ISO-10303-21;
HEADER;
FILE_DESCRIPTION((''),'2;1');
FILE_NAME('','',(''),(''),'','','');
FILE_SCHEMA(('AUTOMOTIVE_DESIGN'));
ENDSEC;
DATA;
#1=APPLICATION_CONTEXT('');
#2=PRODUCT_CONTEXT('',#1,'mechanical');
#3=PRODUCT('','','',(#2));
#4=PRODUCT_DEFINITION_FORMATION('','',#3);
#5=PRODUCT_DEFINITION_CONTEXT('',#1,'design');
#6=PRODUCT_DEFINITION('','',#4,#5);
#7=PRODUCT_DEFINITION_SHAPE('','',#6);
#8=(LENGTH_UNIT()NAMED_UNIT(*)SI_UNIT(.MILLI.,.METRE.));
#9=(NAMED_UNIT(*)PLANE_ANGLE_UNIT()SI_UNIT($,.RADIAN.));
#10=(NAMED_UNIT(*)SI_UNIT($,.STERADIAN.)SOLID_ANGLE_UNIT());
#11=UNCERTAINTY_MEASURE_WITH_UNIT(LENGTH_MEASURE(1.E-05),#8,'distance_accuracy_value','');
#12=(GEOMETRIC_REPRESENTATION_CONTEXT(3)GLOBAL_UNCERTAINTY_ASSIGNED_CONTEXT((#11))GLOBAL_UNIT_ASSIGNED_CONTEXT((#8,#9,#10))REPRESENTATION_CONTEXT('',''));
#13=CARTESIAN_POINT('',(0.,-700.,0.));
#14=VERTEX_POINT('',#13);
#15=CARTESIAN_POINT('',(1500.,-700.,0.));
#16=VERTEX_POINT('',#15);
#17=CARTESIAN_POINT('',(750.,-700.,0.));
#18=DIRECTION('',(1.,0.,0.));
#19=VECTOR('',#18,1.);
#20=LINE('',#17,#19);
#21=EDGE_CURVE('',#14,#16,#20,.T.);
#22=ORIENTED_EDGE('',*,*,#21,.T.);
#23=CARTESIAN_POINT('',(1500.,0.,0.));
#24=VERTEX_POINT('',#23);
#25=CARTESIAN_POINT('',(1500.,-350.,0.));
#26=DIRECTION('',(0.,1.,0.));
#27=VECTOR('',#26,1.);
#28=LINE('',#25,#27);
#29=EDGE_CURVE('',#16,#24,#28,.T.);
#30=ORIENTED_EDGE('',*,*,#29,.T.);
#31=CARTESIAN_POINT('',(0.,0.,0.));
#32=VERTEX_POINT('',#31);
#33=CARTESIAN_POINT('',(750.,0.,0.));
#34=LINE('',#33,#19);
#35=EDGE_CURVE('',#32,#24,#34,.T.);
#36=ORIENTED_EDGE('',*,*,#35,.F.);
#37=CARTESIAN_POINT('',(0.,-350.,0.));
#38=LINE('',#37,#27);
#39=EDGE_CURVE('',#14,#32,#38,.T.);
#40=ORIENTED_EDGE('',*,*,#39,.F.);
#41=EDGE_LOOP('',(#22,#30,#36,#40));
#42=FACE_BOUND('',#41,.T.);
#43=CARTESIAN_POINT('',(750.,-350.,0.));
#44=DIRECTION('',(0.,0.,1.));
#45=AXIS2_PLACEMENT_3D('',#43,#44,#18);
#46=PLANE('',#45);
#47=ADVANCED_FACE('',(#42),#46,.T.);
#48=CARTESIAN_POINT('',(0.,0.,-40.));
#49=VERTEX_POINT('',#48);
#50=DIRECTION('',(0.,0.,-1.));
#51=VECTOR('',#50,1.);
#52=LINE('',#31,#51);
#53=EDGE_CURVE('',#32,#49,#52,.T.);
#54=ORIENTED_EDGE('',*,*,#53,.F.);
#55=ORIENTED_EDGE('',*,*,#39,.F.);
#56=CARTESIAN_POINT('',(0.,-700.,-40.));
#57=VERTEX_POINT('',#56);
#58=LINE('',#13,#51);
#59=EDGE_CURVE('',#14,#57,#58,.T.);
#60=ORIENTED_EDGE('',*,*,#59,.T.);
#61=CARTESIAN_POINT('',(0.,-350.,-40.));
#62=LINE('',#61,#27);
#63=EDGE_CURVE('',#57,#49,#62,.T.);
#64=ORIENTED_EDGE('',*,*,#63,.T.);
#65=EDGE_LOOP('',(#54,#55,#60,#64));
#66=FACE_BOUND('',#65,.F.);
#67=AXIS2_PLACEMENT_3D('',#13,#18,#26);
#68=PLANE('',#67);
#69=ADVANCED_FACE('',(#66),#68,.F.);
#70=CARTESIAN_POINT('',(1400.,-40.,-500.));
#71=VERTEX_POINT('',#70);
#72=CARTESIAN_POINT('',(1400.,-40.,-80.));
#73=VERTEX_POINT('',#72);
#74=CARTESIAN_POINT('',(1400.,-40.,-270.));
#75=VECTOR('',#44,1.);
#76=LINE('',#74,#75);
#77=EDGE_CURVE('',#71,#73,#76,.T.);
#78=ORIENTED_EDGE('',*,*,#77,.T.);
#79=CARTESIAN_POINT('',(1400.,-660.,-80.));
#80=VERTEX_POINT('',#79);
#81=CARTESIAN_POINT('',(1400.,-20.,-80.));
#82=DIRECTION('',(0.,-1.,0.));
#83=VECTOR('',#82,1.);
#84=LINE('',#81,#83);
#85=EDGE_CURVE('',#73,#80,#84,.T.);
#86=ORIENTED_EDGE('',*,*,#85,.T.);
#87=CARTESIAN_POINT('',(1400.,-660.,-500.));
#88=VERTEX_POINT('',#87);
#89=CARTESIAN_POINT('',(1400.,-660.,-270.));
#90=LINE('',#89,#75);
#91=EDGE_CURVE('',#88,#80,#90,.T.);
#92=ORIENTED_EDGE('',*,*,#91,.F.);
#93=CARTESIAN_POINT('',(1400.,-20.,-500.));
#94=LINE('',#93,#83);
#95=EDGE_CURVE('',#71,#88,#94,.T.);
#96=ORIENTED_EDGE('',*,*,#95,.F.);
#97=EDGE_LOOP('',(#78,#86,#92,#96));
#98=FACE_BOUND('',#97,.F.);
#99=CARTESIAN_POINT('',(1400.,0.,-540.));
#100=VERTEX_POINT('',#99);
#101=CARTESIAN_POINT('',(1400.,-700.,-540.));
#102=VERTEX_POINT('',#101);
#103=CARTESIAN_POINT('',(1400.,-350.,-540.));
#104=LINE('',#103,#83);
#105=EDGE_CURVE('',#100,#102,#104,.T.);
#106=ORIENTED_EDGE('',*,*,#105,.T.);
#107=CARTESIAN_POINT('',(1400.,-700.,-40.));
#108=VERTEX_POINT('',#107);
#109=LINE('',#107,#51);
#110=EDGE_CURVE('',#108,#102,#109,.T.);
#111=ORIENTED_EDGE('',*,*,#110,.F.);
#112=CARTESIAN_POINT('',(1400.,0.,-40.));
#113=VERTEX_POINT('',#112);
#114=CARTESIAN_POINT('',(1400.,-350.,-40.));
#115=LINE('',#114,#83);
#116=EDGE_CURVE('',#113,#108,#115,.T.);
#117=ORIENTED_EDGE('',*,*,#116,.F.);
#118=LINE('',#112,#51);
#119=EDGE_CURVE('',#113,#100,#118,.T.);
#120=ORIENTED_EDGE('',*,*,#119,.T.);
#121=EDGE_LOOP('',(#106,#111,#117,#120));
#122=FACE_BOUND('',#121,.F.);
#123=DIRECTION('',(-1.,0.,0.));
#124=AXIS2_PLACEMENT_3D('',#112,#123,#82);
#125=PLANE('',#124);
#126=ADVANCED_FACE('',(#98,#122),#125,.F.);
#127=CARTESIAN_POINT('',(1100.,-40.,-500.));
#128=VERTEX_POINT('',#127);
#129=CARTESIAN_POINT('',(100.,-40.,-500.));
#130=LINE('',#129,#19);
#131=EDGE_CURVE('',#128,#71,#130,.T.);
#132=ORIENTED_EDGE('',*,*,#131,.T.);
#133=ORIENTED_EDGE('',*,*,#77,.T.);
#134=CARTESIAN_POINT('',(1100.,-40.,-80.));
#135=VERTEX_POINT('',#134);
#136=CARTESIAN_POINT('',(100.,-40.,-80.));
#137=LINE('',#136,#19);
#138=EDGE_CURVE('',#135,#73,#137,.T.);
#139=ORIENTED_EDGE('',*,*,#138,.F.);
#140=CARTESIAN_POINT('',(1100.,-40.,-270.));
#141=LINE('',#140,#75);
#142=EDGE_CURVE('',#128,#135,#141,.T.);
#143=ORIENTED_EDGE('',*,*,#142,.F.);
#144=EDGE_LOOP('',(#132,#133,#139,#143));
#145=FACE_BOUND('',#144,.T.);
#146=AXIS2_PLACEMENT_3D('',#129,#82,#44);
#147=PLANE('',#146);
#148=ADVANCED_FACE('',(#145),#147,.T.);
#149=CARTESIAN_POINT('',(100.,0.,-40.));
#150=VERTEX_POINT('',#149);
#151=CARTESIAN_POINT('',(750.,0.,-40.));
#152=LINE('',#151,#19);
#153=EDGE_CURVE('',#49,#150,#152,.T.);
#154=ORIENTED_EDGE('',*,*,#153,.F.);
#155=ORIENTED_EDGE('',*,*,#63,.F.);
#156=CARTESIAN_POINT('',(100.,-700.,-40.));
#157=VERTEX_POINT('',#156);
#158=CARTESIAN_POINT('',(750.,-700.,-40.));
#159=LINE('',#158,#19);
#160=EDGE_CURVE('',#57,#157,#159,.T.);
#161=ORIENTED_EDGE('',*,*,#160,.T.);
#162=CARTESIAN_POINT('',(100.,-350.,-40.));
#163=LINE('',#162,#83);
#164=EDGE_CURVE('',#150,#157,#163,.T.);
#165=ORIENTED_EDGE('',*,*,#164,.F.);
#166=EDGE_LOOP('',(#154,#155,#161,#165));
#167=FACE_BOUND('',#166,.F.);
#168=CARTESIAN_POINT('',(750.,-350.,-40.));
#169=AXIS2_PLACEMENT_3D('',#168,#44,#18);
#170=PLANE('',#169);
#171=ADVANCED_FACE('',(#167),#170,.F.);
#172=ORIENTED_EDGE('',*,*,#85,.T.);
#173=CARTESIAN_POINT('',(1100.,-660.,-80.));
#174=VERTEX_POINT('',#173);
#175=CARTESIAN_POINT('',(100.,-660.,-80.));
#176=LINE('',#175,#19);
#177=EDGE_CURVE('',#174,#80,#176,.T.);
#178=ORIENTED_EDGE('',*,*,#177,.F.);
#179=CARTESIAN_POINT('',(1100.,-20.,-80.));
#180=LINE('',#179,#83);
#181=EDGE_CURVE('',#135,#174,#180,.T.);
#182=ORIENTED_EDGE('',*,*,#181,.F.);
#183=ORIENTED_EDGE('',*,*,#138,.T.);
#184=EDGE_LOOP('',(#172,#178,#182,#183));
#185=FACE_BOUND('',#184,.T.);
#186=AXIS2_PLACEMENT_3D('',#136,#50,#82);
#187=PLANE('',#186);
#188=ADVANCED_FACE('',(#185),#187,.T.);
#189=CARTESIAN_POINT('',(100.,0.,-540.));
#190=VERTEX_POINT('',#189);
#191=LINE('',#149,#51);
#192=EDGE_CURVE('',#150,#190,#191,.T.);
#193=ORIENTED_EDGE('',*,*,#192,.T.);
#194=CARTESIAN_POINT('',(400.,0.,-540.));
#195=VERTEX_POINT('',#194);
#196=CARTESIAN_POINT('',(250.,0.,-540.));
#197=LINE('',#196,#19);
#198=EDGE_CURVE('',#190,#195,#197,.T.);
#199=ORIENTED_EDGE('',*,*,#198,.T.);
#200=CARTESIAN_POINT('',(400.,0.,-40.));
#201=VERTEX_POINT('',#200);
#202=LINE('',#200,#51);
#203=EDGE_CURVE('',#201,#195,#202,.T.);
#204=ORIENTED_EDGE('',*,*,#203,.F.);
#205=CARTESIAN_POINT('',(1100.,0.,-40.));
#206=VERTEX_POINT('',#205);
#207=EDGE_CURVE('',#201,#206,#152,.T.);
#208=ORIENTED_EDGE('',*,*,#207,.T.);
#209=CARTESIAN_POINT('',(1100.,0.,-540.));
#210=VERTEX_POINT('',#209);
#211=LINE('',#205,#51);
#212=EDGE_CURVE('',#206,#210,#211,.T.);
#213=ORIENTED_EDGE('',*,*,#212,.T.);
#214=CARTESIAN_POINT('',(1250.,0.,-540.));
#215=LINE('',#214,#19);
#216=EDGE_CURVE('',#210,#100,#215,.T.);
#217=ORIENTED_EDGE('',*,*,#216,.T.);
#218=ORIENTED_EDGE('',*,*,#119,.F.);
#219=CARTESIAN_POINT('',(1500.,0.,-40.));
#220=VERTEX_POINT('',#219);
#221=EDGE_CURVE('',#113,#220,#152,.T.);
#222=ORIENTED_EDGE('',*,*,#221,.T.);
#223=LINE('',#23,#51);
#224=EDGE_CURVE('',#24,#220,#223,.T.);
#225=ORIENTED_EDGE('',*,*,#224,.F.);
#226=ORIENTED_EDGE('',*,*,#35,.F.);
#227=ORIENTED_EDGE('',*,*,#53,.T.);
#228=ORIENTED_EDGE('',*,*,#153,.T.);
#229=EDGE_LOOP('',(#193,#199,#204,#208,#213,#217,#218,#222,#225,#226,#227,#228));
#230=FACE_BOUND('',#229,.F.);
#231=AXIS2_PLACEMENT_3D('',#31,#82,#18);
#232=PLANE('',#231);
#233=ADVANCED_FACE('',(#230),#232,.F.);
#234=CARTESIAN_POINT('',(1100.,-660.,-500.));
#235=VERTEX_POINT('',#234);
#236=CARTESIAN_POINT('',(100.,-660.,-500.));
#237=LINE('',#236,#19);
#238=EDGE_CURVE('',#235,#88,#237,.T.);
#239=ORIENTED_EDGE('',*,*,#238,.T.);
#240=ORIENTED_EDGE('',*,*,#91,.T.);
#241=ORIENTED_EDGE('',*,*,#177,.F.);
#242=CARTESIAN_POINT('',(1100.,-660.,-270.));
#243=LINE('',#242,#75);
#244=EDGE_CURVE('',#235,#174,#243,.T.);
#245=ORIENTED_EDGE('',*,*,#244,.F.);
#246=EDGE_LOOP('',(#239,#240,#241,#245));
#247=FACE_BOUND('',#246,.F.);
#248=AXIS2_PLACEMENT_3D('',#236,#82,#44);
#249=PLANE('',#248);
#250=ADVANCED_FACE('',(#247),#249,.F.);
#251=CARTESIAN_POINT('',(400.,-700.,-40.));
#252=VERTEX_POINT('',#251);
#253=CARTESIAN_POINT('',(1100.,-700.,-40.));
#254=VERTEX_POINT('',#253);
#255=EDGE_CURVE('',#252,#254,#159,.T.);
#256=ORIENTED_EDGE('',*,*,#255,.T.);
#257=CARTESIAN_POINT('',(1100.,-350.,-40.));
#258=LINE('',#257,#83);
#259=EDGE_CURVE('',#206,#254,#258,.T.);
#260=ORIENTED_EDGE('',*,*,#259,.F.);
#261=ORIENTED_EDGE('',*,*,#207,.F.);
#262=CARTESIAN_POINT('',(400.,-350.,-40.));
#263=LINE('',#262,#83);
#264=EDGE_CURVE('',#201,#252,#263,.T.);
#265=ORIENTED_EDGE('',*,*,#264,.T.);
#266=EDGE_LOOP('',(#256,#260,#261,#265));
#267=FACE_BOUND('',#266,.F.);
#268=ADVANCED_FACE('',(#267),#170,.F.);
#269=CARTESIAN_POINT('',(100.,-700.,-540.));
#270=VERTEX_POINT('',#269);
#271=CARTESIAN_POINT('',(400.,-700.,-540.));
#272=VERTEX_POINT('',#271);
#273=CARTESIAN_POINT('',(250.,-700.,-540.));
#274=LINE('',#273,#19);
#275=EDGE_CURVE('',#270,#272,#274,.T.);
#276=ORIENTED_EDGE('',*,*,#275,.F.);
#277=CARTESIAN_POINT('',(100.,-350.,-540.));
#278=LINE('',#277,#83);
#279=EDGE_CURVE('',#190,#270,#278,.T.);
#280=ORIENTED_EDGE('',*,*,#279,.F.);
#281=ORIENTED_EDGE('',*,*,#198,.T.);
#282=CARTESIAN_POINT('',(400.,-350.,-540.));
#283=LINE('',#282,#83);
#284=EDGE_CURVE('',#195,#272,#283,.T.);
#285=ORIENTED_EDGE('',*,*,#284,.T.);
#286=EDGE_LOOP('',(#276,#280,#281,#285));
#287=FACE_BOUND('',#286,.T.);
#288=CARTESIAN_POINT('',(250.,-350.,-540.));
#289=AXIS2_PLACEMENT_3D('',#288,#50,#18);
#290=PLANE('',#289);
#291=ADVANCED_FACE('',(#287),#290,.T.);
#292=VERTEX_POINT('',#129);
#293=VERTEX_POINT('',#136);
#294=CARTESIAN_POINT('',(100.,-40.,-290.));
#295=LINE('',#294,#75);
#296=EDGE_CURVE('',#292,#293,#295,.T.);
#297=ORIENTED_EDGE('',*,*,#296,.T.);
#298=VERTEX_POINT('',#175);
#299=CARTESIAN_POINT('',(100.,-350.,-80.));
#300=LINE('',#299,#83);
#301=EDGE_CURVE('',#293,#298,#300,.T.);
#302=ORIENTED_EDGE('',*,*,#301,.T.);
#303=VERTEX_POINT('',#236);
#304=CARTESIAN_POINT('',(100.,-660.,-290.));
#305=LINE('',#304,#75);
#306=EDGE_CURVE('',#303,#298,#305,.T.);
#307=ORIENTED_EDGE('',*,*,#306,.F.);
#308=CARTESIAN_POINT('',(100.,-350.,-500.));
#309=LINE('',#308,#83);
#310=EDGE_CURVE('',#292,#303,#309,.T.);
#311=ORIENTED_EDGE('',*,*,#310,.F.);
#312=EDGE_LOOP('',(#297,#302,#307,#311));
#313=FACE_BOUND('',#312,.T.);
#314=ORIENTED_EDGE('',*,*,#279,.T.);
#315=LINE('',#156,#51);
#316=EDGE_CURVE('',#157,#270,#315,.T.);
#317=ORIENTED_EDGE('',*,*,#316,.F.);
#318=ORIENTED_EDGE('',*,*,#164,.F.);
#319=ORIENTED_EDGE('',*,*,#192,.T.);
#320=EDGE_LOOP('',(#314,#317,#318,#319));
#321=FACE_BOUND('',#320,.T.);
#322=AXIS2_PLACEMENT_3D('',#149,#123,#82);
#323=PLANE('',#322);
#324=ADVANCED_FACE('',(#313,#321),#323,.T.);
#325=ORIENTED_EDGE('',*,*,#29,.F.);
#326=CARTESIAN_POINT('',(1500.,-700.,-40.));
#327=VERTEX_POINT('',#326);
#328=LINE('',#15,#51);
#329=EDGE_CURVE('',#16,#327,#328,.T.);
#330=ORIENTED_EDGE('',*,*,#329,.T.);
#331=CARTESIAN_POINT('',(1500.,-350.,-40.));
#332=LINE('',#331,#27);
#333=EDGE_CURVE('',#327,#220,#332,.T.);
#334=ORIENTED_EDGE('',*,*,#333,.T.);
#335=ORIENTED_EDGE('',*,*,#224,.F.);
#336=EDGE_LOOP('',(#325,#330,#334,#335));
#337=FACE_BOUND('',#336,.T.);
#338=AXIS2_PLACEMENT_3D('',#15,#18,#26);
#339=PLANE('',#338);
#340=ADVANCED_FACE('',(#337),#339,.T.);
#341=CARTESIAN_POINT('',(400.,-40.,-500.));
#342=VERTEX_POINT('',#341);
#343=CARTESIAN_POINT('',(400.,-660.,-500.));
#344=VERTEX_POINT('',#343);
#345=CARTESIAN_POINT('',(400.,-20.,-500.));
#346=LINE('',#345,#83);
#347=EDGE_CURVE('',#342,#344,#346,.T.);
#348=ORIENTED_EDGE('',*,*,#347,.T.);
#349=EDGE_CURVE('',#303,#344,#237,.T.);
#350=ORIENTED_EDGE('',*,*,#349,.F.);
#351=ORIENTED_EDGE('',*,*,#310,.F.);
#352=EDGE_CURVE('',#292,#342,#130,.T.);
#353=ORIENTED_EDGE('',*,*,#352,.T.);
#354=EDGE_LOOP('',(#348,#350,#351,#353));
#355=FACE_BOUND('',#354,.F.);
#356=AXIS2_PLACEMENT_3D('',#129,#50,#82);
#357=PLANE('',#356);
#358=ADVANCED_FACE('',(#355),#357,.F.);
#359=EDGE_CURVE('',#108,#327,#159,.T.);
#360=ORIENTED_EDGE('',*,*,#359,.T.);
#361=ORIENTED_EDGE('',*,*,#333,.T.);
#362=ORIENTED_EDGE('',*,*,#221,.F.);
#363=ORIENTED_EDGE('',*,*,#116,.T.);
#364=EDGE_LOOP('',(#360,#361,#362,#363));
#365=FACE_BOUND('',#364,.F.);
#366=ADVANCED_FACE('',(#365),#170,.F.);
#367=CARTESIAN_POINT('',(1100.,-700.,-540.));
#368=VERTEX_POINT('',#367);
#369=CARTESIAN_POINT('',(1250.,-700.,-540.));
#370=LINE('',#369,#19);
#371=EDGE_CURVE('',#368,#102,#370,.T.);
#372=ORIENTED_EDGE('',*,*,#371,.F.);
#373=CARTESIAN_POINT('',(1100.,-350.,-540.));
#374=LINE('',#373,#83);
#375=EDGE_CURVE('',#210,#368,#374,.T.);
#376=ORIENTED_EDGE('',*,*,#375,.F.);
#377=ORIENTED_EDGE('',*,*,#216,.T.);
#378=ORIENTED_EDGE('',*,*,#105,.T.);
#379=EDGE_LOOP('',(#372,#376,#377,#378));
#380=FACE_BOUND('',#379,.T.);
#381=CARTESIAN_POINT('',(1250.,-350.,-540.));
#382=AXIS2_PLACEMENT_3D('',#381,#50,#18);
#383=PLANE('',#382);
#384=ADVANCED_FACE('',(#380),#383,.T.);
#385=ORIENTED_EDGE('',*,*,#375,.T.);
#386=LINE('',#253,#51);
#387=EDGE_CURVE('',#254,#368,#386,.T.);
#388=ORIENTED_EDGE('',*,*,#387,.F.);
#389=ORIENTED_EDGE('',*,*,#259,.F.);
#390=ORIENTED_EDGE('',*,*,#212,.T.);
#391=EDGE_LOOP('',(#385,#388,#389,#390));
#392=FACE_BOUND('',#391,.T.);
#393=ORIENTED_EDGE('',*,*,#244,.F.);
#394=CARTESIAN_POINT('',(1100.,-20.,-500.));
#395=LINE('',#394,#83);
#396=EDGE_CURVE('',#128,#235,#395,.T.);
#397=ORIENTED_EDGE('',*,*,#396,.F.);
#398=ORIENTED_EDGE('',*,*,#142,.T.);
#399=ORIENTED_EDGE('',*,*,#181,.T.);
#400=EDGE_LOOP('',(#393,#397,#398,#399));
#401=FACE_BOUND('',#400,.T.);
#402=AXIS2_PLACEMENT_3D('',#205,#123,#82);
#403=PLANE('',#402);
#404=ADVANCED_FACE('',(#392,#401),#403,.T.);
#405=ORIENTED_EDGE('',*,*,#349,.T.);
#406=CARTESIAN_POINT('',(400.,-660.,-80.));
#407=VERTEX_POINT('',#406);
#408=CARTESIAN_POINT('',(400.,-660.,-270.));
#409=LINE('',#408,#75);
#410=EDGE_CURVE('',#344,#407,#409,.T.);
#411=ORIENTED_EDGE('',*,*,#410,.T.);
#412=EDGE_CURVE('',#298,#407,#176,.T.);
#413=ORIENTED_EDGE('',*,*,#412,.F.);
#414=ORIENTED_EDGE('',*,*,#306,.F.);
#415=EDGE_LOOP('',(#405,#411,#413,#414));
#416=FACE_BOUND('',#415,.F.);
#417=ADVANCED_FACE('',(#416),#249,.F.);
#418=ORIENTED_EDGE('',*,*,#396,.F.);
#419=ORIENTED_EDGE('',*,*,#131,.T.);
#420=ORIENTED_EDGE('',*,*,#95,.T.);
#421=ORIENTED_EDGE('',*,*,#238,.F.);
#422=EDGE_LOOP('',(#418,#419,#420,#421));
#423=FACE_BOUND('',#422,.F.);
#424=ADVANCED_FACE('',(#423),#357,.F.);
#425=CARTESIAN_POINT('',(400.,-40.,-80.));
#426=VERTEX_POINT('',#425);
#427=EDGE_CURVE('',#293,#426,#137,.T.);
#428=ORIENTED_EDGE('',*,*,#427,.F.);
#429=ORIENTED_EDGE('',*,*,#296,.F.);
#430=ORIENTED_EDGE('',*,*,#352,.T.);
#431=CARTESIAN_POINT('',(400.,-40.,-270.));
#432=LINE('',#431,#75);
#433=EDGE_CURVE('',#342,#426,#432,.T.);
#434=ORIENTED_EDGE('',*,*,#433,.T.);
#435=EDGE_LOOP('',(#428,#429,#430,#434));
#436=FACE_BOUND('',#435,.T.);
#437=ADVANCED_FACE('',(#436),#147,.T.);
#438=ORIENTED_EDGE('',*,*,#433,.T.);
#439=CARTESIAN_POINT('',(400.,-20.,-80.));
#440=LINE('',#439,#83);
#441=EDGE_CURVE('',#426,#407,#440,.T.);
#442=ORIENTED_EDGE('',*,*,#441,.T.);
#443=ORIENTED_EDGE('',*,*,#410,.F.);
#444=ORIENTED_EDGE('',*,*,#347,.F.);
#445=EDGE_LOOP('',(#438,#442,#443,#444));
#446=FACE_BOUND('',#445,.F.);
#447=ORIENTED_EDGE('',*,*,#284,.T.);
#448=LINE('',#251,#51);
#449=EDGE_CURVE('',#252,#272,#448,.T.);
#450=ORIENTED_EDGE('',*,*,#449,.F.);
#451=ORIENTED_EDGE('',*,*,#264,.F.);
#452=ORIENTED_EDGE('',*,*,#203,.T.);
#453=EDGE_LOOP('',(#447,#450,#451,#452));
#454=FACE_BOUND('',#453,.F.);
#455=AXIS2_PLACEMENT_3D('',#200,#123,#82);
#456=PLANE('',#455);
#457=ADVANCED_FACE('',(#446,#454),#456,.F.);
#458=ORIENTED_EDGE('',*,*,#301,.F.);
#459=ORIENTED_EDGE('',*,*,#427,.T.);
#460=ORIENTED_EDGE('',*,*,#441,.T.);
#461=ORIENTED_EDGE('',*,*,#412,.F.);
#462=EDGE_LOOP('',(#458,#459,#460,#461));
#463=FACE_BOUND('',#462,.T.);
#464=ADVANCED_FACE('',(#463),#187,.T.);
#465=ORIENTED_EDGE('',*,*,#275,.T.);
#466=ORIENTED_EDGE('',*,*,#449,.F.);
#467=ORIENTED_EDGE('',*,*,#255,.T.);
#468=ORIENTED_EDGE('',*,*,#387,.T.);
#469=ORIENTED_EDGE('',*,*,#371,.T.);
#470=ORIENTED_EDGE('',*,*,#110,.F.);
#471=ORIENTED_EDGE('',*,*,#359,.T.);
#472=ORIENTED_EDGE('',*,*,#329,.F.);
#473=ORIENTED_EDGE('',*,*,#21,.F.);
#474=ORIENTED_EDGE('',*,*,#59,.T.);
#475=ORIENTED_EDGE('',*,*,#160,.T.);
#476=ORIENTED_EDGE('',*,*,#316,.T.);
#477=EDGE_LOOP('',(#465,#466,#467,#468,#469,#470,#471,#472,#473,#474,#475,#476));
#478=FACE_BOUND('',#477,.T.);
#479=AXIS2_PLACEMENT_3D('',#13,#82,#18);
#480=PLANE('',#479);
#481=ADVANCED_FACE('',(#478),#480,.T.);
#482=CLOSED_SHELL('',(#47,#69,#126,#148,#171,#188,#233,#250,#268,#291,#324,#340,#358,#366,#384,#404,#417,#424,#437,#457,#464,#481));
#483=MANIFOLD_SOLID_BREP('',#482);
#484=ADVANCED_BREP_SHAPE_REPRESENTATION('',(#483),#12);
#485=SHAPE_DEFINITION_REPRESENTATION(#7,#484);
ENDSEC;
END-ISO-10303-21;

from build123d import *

# Parameters (mm, degrees)
F0_W     = 1500
F0_H     = 700
F1_DEPTH = 40
F2_W     = 300
F2_H     = 700
F3_DEPTH = 500
F4_W     = 620
F4_H     = 420
F5_DEPTH = 1328


with BuildPart() as f1:
    # F0 (on Top) → F1 (new body)
    with BuildSketch(Plane.XY):
        with Locations((750, -350)):
            Rectangle(F0_W, F0_H)
    extrude(amount=-F1_DEPTH)

    # F2 (on face) → F3 (join)
    with BuildSketch(Plane(origin=(0, 0, -40), x_dir=(1, 0, 0), z_dir=(0, 0, -1))):
        with Locations((250, 350)):
            Rectangle(F2_W, F2_H)
        with Locations((1250, 350)):
            Rectangle(F2_W, F2_H)
    extrude(amount=F3_DEPTH)

    # F4 (on face) → F5 (cut)
    with BuildSketch(Plane(origin=(100, 0, 0), x_dir=(0, -1, 0), z_dir=(-1, 0, 0))):
        with Locations((350, -290)):
            Rectangle(F4_W, F4_H)
    extrude(amount=-F5_DEPTH, mode=Mode.SUBTRACT)


solid = f1.part
